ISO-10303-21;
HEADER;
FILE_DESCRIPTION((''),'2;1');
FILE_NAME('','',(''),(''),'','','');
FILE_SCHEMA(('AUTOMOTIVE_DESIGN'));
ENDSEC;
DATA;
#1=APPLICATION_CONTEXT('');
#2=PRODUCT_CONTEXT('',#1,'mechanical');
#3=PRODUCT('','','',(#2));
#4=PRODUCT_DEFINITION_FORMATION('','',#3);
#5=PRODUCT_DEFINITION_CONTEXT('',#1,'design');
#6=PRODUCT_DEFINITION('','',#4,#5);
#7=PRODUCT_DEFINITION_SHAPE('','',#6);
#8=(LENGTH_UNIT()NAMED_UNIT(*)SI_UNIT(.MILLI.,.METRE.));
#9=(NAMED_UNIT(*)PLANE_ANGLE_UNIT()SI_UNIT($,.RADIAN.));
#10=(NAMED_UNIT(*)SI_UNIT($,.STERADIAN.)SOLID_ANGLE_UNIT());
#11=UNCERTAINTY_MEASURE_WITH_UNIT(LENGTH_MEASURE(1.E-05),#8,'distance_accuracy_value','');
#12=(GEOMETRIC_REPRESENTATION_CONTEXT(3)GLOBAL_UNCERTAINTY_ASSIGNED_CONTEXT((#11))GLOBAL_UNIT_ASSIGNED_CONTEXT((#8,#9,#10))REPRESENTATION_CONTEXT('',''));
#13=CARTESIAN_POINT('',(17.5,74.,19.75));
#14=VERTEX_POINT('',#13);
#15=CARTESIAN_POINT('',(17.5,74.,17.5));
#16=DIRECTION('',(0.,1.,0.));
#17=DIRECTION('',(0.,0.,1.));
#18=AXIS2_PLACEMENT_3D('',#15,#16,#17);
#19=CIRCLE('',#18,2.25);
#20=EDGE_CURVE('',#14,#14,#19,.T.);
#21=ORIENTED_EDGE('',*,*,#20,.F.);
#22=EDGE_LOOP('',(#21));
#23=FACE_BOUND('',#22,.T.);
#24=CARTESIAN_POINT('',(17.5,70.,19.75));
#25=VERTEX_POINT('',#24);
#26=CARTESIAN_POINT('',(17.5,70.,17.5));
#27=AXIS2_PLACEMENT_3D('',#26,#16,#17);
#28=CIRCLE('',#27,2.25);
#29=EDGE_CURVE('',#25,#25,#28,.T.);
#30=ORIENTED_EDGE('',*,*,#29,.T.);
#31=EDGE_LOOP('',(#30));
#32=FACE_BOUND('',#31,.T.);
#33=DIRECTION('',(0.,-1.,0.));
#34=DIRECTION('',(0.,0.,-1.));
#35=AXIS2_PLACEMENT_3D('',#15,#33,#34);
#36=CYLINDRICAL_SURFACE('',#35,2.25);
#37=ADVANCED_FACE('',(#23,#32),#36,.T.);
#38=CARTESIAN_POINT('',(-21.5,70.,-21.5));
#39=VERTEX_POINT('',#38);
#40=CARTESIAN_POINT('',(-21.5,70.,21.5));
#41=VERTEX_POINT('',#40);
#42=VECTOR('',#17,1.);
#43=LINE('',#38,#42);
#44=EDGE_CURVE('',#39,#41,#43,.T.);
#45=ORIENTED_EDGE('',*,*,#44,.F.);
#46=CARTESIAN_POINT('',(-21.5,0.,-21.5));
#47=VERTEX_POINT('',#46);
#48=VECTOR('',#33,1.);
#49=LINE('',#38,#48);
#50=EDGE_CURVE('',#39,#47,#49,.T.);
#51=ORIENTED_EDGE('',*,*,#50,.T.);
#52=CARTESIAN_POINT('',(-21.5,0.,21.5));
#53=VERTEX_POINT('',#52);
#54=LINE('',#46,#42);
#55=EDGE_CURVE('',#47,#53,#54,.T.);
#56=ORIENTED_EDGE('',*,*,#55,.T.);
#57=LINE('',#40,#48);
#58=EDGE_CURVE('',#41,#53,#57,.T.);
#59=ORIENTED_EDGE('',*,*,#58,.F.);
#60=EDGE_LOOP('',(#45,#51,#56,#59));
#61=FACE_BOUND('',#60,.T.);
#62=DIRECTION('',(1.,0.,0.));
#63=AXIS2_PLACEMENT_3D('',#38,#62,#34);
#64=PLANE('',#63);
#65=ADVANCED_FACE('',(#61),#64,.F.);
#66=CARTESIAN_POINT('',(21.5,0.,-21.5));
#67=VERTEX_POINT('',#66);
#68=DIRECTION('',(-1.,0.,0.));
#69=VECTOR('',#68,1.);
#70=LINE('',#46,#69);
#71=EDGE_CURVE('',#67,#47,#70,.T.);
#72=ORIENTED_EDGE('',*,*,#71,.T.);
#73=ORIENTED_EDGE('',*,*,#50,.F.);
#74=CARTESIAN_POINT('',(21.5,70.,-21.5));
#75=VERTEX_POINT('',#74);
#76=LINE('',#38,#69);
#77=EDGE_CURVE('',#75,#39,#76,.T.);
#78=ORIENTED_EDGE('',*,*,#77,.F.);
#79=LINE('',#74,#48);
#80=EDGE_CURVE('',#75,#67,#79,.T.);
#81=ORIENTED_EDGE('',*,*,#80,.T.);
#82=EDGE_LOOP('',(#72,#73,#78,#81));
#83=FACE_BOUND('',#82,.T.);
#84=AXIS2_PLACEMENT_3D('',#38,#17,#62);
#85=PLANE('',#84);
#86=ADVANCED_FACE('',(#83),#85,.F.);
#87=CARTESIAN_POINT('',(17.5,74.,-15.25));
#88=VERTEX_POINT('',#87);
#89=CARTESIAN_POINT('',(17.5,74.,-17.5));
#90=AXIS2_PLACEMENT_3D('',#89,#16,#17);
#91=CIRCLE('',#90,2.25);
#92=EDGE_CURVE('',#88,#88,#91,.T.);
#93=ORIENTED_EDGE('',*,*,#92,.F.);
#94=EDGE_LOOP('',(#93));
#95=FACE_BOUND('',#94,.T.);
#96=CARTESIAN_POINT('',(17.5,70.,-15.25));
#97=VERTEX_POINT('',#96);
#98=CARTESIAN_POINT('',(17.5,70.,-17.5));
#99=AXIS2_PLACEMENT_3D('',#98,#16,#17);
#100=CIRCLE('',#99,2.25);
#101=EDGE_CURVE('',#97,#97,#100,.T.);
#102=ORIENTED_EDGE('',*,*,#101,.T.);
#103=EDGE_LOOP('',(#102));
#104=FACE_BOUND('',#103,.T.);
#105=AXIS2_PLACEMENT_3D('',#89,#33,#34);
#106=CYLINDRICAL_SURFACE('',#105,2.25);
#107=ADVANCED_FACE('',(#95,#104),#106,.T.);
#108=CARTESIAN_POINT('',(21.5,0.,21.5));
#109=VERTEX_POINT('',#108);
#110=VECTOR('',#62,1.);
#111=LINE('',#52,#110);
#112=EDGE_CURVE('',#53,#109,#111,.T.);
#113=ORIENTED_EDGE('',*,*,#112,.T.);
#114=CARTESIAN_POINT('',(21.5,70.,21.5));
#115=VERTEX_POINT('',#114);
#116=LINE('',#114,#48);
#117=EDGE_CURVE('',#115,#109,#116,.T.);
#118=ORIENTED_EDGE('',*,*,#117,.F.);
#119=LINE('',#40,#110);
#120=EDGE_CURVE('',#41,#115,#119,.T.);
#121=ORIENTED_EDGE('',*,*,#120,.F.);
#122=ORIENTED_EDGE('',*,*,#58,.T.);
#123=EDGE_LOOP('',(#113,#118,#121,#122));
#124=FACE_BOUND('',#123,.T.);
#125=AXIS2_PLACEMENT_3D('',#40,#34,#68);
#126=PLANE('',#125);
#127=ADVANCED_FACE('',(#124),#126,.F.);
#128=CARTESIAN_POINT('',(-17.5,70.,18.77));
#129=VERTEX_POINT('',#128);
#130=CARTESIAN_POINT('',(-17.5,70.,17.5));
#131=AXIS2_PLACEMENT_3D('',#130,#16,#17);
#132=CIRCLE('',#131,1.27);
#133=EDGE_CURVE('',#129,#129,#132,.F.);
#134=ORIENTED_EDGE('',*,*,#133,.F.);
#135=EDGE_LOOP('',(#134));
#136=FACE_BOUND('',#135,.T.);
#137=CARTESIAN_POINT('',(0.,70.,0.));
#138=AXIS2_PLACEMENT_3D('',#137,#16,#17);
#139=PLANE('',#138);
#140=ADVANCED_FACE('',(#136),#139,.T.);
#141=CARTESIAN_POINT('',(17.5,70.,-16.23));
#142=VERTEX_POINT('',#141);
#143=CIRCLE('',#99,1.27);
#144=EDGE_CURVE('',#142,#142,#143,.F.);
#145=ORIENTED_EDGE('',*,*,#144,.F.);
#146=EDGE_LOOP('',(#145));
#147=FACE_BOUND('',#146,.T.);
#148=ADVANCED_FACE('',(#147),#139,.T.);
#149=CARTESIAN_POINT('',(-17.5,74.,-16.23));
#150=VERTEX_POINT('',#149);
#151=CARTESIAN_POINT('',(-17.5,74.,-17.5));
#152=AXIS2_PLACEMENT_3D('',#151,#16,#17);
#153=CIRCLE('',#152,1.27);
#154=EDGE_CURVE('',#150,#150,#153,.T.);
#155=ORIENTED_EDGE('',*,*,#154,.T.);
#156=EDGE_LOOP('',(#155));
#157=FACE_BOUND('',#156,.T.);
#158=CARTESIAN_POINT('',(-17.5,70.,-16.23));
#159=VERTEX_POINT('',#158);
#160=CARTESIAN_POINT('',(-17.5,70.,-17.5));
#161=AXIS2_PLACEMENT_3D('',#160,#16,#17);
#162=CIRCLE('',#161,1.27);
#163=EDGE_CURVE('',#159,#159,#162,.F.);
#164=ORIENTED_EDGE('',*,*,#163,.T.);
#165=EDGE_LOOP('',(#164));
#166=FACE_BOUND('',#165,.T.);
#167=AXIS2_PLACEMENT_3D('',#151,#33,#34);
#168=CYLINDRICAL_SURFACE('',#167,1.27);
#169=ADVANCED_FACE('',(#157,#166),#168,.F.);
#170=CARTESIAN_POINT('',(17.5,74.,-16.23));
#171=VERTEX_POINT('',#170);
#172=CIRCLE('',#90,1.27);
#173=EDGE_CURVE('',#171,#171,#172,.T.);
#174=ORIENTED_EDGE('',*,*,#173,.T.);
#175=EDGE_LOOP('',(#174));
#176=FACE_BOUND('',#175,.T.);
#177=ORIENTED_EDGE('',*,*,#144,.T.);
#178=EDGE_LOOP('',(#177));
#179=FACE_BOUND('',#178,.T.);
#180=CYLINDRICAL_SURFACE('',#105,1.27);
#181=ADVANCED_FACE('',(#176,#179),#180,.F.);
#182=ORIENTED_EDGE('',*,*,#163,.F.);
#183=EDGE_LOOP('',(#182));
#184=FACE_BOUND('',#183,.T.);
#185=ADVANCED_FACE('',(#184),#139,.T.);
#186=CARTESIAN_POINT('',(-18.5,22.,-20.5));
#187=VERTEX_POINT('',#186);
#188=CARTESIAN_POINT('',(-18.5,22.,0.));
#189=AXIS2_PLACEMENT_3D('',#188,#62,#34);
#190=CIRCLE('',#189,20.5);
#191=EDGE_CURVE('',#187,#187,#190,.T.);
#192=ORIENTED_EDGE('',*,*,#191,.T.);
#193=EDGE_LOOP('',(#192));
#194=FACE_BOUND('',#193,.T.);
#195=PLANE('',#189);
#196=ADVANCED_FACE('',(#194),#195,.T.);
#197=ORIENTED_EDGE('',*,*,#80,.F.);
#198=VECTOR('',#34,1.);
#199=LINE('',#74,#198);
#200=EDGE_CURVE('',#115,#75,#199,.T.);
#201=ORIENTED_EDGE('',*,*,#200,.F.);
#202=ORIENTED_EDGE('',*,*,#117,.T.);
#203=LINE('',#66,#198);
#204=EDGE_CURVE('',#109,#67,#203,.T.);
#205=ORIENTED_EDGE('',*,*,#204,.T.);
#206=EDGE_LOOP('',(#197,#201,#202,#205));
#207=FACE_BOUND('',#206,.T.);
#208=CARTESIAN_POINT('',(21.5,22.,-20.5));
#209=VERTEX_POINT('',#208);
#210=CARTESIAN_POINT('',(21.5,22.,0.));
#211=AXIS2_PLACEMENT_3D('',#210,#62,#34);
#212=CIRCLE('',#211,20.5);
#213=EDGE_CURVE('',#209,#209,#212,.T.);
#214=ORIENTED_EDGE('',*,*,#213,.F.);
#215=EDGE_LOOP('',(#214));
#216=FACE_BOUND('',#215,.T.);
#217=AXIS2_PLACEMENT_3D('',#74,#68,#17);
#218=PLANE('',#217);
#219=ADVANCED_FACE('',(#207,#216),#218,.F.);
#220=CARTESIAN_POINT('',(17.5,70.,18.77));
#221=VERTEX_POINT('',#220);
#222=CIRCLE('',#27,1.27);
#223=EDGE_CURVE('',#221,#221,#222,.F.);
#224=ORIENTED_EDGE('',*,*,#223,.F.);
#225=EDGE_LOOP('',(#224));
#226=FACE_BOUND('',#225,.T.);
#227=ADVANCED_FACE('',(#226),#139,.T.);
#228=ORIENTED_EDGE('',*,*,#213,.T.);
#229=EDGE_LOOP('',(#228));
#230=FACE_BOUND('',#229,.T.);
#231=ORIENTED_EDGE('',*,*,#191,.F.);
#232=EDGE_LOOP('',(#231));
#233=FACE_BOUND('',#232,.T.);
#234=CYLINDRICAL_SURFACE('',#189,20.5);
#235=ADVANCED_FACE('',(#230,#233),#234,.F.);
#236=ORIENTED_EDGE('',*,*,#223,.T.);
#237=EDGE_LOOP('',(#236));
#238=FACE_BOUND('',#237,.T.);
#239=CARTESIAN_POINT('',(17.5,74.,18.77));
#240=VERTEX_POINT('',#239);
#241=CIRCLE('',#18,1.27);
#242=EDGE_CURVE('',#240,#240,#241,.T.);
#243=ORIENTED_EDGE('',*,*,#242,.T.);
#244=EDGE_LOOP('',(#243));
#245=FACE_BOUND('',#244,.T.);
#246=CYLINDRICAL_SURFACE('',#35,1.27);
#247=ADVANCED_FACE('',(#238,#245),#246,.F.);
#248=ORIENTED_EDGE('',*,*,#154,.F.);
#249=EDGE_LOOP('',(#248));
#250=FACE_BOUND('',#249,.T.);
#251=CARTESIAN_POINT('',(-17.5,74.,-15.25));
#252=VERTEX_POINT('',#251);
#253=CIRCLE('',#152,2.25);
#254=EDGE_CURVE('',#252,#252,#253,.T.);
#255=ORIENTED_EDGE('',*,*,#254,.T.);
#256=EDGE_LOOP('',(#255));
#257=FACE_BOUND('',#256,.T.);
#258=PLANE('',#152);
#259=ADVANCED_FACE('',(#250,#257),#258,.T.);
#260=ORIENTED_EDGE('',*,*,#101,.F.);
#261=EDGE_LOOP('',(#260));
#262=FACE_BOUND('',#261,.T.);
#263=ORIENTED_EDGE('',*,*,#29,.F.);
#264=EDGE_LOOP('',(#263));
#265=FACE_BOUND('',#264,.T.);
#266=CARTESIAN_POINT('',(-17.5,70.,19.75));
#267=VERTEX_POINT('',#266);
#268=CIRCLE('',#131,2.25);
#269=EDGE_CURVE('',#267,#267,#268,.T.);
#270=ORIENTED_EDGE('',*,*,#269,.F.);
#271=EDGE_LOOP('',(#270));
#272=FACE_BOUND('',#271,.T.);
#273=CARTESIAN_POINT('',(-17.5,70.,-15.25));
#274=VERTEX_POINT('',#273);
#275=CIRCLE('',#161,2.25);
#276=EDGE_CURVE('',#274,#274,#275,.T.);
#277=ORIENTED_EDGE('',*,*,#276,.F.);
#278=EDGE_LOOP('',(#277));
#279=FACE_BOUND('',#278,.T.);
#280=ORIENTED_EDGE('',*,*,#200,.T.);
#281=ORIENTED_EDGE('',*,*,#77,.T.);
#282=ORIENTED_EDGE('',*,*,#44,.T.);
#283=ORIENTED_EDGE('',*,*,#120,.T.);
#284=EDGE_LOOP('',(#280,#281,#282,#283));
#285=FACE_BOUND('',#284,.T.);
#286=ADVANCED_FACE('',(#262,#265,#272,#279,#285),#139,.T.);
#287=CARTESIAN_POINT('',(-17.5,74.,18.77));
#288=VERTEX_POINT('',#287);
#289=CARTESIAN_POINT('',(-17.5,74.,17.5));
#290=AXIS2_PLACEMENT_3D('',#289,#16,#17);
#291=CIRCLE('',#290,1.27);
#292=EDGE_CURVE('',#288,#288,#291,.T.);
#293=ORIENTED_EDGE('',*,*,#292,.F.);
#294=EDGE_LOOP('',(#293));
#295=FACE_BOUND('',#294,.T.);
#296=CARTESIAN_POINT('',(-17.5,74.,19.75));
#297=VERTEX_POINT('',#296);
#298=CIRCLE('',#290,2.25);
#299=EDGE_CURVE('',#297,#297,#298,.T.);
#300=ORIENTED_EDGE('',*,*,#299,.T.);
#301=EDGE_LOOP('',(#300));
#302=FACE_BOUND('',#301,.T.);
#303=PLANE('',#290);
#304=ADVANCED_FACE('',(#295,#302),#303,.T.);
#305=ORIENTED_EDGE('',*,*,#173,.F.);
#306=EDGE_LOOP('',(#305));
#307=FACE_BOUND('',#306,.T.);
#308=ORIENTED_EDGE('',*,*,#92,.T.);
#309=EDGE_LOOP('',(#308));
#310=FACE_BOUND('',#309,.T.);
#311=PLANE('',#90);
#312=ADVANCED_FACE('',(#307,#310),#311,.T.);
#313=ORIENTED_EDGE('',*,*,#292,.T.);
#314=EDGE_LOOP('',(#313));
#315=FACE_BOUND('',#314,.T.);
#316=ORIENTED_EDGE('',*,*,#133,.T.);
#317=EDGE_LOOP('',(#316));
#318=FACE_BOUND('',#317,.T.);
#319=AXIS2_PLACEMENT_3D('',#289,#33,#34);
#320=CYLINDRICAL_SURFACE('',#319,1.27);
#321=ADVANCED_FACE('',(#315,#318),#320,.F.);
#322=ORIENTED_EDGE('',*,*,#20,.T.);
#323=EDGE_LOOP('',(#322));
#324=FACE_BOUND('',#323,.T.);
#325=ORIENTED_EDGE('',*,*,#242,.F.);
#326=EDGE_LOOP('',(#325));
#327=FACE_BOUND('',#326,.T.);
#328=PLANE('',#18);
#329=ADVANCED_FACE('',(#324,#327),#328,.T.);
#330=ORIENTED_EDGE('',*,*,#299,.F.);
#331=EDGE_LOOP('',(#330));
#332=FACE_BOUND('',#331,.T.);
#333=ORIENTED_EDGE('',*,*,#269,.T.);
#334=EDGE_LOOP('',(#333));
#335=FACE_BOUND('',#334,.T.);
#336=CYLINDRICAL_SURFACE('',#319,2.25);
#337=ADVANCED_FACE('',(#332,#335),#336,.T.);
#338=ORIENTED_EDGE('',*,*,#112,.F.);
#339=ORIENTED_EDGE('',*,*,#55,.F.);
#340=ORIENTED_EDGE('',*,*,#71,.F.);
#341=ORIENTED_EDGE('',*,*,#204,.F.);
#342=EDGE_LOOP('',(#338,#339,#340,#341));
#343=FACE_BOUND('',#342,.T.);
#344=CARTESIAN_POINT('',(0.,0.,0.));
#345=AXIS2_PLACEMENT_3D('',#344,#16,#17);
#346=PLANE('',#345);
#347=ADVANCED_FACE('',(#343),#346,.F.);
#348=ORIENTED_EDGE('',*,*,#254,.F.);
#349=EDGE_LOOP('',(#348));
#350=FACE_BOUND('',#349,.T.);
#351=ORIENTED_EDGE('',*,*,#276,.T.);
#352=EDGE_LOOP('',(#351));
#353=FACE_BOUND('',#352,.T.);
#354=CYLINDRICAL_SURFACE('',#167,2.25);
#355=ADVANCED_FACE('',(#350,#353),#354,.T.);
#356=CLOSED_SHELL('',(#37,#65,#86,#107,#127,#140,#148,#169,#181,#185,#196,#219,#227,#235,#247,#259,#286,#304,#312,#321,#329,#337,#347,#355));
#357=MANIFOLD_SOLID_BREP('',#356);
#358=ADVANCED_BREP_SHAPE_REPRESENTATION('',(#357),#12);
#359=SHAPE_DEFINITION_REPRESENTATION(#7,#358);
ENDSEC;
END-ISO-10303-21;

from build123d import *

# Parameters (mm, degrees)
SKETCH1_W           = 43
SKETCH1_H           = 43
BOSS_EXTRUDE1_DEPTH = 70
SKETCH2_R           = 20.5
CUT_EXTRUDE1_DEPTH  = 40
SKETCH3_R           = 2.25
SKETCH3_R_2         = 1.27
BOSS_EXTRUDE2_DEPTH = 4


with BuildPart() as part:
    # Sketch1 → Boss-Extrude1 (new body)
    with BuildSketch(Plane(origin=(0, 0, 0), x_dir=(1, 0, 0), z_dir=(0, 1, 0))):
        Rectangle(SKETCH1_W, SKETCH1_H)
    extrude(amount=BOSS_EXTRUDE1_DEPTH)

    # Sketch2 → Cut-Extrude1 (cut)
    with BuildSketch(Plane(origin=(21.5, 0, 0), x_dir=(0, 0, -1), z_dir=(1, 0, 0))):
        with Locations((0, 22)):
            Circle(SKETCH2_R)
    extrude(amount=-CUT_EXTRUDE1_DEPTH, mode=Mode.SUBTRACT)

    # Sketch3 → Boss-Extrude2 (add)
    # profile 1 of 4: a face of its own
    with BuildSketch(Plane(origin=(0, 70, 0), x_dir=(1, 0, 0), z_dir=(0, 1, 0))):
        with Locations(Location((17.5, 17.5, 0), (0, 0, 270))):
            Circle(SKETCH3_R)
        with Locations(Location((17.5, 17.5, 0), (0, 0, 270))):
            Circle(SKETCH3_R_2, mode=Mode.SUBTRACT)
    # profile 2 of 4: a face of its own
    with BuildSketch(Plane(origin=(0, 70, 0), x_dir=(1, 0, 0), z_dir=(0, 1, 0))):
        with Locations(Location((-17.5, 17.5, 0), (0, 0, 270))):
            Circle(SKETCH3_R)
        with Locations(Location((-17.5, 17.5, 0), (0, 0, 270))):
            Circle(SKETCH3_R_2, mode=Mode.SUBTRACT)
    # profile 3 of 4: a face of its own
    with BuildSketch(Plane(origin=(0, 70, 0), x_dir=(1, 0, 0), z_dir=(0, 1, 0))):
        with Locations(Location((-17.5, -17.5, 0), (0, 0, 270))):
            Circle(SKETCH3_R)
        with Locations(Location((-17.5, -17.5, 0), (0, 0, 270))):
            Circle(SKETCH3_R_2, mode=Mode.SUBTRACT)
    # profile 4 of 4: a face of its own
    with BuildSketch(Plane(origin=(0, 70, 0), x_dir=(1, 0, 0), z_dir=(0, 1, 0))):
        with Locations(Location((17.5, -17.5, 0), (0, 0, 270))):
            Circle(SKETCH3_R)
        with Locations(Location((17.5, -17.5, 0), (0, 0, 270))):
            Circle(SKETCH3_R_2, mode=Mode.SUBTRACT)
    extrude(amount=BOSS_EXTRUDE2_DEPTH)


solid = part.part
